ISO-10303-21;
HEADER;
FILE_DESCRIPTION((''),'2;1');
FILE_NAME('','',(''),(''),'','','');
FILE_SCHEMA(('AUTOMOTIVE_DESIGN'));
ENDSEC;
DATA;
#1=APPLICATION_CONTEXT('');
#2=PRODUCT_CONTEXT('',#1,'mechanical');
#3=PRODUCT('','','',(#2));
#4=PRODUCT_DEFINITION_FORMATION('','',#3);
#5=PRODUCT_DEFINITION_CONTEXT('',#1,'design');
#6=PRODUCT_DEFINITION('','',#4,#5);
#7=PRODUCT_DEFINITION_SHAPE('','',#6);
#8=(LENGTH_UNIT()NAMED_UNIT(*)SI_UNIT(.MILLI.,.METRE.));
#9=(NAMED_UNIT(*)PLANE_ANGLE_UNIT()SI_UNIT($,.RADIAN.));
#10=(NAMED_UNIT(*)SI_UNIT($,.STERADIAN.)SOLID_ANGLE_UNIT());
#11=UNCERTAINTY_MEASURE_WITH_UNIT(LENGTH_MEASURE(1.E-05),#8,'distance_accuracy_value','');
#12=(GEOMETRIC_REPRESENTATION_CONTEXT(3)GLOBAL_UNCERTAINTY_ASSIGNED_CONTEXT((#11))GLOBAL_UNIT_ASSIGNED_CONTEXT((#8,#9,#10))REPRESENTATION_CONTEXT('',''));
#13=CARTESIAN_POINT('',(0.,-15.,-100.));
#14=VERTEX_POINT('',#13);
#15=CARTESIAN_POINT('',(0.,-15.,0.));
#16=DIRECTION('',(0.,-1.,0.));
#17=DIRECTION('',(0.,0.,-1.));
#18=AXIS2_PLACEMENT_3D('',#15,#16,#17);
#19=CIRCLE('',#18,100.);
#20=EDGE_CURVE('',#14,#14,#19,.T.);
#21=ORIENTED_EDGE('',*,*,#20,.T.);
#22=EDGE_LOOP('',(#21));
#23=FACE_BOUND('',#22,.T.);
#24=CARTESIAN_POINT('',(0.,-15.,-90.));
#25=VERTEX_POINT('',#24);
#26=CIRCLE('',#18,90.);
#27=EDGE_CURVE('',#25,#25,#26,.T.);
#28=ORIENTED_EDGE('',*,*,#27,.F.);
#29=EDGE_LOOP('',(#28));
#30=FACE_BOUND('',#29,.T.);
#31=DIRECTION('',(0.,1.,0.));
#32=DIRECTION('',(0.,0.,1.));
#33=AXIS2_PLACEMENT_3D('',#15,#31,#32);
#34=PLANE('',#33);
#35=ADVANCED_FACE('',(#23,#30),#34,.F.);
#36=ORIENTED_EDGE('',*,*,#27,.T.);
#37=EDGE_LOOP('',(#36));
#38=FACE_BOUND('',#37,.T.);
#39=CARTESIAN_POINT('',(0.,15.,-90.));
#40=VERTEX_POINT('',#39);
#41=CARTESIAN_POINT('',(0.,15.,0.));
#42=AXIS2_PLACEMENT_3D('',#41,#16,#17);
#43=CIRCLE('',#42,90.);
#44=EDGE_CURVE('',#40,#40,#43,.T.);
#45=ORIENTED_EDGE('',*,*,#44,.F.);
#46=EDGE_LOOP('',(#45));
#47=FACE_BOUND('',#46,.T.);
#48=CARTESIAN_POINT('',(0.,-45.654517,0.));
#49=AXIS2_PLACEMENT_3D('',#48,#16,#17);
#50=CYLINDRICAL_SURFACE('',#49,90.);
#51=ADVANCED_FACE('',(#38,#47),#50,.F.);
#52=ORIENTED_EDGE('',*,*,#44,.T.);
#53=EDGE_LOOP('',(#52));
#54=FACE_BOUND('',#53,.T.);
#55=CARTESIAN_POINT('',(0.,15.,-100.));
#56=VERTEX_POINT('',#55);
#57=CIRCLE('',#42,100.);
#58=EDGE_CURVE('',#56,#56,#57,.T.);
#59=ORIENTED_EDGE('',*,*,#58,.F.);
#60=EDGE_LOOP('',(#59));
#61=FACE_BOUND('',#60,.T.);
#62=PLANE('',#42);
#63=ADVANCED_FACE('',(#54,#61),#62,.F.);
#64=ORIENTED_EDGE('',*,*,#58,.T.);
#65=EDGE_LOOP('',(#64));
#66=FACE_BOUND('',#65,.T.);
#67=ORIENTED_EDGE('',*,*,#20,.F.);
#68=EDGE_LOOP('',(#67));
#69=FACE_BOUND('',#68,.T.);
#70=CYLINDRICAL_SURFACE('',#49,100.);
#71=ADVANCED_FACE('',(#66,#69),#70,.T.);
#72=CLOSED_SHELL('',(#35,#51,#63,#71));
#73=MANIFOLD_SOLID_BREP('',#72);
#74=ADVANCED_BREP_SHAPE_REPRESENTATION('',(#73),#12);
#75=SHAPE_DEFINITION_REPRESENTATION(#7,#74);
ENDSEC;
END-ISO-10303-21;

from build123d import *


with BuildPart() as part:
    # Sketch2 → Revolve1 (revolve)
    with BuildSketch(Plane.XY):
        Polygon((90, 0), (90, -15), (100, -15), (100, 15), (90, 15), align=None)
    revolve(axis=Axis((0, -45.654517339, 0), (0, 1, 0)))


solid = part.part
